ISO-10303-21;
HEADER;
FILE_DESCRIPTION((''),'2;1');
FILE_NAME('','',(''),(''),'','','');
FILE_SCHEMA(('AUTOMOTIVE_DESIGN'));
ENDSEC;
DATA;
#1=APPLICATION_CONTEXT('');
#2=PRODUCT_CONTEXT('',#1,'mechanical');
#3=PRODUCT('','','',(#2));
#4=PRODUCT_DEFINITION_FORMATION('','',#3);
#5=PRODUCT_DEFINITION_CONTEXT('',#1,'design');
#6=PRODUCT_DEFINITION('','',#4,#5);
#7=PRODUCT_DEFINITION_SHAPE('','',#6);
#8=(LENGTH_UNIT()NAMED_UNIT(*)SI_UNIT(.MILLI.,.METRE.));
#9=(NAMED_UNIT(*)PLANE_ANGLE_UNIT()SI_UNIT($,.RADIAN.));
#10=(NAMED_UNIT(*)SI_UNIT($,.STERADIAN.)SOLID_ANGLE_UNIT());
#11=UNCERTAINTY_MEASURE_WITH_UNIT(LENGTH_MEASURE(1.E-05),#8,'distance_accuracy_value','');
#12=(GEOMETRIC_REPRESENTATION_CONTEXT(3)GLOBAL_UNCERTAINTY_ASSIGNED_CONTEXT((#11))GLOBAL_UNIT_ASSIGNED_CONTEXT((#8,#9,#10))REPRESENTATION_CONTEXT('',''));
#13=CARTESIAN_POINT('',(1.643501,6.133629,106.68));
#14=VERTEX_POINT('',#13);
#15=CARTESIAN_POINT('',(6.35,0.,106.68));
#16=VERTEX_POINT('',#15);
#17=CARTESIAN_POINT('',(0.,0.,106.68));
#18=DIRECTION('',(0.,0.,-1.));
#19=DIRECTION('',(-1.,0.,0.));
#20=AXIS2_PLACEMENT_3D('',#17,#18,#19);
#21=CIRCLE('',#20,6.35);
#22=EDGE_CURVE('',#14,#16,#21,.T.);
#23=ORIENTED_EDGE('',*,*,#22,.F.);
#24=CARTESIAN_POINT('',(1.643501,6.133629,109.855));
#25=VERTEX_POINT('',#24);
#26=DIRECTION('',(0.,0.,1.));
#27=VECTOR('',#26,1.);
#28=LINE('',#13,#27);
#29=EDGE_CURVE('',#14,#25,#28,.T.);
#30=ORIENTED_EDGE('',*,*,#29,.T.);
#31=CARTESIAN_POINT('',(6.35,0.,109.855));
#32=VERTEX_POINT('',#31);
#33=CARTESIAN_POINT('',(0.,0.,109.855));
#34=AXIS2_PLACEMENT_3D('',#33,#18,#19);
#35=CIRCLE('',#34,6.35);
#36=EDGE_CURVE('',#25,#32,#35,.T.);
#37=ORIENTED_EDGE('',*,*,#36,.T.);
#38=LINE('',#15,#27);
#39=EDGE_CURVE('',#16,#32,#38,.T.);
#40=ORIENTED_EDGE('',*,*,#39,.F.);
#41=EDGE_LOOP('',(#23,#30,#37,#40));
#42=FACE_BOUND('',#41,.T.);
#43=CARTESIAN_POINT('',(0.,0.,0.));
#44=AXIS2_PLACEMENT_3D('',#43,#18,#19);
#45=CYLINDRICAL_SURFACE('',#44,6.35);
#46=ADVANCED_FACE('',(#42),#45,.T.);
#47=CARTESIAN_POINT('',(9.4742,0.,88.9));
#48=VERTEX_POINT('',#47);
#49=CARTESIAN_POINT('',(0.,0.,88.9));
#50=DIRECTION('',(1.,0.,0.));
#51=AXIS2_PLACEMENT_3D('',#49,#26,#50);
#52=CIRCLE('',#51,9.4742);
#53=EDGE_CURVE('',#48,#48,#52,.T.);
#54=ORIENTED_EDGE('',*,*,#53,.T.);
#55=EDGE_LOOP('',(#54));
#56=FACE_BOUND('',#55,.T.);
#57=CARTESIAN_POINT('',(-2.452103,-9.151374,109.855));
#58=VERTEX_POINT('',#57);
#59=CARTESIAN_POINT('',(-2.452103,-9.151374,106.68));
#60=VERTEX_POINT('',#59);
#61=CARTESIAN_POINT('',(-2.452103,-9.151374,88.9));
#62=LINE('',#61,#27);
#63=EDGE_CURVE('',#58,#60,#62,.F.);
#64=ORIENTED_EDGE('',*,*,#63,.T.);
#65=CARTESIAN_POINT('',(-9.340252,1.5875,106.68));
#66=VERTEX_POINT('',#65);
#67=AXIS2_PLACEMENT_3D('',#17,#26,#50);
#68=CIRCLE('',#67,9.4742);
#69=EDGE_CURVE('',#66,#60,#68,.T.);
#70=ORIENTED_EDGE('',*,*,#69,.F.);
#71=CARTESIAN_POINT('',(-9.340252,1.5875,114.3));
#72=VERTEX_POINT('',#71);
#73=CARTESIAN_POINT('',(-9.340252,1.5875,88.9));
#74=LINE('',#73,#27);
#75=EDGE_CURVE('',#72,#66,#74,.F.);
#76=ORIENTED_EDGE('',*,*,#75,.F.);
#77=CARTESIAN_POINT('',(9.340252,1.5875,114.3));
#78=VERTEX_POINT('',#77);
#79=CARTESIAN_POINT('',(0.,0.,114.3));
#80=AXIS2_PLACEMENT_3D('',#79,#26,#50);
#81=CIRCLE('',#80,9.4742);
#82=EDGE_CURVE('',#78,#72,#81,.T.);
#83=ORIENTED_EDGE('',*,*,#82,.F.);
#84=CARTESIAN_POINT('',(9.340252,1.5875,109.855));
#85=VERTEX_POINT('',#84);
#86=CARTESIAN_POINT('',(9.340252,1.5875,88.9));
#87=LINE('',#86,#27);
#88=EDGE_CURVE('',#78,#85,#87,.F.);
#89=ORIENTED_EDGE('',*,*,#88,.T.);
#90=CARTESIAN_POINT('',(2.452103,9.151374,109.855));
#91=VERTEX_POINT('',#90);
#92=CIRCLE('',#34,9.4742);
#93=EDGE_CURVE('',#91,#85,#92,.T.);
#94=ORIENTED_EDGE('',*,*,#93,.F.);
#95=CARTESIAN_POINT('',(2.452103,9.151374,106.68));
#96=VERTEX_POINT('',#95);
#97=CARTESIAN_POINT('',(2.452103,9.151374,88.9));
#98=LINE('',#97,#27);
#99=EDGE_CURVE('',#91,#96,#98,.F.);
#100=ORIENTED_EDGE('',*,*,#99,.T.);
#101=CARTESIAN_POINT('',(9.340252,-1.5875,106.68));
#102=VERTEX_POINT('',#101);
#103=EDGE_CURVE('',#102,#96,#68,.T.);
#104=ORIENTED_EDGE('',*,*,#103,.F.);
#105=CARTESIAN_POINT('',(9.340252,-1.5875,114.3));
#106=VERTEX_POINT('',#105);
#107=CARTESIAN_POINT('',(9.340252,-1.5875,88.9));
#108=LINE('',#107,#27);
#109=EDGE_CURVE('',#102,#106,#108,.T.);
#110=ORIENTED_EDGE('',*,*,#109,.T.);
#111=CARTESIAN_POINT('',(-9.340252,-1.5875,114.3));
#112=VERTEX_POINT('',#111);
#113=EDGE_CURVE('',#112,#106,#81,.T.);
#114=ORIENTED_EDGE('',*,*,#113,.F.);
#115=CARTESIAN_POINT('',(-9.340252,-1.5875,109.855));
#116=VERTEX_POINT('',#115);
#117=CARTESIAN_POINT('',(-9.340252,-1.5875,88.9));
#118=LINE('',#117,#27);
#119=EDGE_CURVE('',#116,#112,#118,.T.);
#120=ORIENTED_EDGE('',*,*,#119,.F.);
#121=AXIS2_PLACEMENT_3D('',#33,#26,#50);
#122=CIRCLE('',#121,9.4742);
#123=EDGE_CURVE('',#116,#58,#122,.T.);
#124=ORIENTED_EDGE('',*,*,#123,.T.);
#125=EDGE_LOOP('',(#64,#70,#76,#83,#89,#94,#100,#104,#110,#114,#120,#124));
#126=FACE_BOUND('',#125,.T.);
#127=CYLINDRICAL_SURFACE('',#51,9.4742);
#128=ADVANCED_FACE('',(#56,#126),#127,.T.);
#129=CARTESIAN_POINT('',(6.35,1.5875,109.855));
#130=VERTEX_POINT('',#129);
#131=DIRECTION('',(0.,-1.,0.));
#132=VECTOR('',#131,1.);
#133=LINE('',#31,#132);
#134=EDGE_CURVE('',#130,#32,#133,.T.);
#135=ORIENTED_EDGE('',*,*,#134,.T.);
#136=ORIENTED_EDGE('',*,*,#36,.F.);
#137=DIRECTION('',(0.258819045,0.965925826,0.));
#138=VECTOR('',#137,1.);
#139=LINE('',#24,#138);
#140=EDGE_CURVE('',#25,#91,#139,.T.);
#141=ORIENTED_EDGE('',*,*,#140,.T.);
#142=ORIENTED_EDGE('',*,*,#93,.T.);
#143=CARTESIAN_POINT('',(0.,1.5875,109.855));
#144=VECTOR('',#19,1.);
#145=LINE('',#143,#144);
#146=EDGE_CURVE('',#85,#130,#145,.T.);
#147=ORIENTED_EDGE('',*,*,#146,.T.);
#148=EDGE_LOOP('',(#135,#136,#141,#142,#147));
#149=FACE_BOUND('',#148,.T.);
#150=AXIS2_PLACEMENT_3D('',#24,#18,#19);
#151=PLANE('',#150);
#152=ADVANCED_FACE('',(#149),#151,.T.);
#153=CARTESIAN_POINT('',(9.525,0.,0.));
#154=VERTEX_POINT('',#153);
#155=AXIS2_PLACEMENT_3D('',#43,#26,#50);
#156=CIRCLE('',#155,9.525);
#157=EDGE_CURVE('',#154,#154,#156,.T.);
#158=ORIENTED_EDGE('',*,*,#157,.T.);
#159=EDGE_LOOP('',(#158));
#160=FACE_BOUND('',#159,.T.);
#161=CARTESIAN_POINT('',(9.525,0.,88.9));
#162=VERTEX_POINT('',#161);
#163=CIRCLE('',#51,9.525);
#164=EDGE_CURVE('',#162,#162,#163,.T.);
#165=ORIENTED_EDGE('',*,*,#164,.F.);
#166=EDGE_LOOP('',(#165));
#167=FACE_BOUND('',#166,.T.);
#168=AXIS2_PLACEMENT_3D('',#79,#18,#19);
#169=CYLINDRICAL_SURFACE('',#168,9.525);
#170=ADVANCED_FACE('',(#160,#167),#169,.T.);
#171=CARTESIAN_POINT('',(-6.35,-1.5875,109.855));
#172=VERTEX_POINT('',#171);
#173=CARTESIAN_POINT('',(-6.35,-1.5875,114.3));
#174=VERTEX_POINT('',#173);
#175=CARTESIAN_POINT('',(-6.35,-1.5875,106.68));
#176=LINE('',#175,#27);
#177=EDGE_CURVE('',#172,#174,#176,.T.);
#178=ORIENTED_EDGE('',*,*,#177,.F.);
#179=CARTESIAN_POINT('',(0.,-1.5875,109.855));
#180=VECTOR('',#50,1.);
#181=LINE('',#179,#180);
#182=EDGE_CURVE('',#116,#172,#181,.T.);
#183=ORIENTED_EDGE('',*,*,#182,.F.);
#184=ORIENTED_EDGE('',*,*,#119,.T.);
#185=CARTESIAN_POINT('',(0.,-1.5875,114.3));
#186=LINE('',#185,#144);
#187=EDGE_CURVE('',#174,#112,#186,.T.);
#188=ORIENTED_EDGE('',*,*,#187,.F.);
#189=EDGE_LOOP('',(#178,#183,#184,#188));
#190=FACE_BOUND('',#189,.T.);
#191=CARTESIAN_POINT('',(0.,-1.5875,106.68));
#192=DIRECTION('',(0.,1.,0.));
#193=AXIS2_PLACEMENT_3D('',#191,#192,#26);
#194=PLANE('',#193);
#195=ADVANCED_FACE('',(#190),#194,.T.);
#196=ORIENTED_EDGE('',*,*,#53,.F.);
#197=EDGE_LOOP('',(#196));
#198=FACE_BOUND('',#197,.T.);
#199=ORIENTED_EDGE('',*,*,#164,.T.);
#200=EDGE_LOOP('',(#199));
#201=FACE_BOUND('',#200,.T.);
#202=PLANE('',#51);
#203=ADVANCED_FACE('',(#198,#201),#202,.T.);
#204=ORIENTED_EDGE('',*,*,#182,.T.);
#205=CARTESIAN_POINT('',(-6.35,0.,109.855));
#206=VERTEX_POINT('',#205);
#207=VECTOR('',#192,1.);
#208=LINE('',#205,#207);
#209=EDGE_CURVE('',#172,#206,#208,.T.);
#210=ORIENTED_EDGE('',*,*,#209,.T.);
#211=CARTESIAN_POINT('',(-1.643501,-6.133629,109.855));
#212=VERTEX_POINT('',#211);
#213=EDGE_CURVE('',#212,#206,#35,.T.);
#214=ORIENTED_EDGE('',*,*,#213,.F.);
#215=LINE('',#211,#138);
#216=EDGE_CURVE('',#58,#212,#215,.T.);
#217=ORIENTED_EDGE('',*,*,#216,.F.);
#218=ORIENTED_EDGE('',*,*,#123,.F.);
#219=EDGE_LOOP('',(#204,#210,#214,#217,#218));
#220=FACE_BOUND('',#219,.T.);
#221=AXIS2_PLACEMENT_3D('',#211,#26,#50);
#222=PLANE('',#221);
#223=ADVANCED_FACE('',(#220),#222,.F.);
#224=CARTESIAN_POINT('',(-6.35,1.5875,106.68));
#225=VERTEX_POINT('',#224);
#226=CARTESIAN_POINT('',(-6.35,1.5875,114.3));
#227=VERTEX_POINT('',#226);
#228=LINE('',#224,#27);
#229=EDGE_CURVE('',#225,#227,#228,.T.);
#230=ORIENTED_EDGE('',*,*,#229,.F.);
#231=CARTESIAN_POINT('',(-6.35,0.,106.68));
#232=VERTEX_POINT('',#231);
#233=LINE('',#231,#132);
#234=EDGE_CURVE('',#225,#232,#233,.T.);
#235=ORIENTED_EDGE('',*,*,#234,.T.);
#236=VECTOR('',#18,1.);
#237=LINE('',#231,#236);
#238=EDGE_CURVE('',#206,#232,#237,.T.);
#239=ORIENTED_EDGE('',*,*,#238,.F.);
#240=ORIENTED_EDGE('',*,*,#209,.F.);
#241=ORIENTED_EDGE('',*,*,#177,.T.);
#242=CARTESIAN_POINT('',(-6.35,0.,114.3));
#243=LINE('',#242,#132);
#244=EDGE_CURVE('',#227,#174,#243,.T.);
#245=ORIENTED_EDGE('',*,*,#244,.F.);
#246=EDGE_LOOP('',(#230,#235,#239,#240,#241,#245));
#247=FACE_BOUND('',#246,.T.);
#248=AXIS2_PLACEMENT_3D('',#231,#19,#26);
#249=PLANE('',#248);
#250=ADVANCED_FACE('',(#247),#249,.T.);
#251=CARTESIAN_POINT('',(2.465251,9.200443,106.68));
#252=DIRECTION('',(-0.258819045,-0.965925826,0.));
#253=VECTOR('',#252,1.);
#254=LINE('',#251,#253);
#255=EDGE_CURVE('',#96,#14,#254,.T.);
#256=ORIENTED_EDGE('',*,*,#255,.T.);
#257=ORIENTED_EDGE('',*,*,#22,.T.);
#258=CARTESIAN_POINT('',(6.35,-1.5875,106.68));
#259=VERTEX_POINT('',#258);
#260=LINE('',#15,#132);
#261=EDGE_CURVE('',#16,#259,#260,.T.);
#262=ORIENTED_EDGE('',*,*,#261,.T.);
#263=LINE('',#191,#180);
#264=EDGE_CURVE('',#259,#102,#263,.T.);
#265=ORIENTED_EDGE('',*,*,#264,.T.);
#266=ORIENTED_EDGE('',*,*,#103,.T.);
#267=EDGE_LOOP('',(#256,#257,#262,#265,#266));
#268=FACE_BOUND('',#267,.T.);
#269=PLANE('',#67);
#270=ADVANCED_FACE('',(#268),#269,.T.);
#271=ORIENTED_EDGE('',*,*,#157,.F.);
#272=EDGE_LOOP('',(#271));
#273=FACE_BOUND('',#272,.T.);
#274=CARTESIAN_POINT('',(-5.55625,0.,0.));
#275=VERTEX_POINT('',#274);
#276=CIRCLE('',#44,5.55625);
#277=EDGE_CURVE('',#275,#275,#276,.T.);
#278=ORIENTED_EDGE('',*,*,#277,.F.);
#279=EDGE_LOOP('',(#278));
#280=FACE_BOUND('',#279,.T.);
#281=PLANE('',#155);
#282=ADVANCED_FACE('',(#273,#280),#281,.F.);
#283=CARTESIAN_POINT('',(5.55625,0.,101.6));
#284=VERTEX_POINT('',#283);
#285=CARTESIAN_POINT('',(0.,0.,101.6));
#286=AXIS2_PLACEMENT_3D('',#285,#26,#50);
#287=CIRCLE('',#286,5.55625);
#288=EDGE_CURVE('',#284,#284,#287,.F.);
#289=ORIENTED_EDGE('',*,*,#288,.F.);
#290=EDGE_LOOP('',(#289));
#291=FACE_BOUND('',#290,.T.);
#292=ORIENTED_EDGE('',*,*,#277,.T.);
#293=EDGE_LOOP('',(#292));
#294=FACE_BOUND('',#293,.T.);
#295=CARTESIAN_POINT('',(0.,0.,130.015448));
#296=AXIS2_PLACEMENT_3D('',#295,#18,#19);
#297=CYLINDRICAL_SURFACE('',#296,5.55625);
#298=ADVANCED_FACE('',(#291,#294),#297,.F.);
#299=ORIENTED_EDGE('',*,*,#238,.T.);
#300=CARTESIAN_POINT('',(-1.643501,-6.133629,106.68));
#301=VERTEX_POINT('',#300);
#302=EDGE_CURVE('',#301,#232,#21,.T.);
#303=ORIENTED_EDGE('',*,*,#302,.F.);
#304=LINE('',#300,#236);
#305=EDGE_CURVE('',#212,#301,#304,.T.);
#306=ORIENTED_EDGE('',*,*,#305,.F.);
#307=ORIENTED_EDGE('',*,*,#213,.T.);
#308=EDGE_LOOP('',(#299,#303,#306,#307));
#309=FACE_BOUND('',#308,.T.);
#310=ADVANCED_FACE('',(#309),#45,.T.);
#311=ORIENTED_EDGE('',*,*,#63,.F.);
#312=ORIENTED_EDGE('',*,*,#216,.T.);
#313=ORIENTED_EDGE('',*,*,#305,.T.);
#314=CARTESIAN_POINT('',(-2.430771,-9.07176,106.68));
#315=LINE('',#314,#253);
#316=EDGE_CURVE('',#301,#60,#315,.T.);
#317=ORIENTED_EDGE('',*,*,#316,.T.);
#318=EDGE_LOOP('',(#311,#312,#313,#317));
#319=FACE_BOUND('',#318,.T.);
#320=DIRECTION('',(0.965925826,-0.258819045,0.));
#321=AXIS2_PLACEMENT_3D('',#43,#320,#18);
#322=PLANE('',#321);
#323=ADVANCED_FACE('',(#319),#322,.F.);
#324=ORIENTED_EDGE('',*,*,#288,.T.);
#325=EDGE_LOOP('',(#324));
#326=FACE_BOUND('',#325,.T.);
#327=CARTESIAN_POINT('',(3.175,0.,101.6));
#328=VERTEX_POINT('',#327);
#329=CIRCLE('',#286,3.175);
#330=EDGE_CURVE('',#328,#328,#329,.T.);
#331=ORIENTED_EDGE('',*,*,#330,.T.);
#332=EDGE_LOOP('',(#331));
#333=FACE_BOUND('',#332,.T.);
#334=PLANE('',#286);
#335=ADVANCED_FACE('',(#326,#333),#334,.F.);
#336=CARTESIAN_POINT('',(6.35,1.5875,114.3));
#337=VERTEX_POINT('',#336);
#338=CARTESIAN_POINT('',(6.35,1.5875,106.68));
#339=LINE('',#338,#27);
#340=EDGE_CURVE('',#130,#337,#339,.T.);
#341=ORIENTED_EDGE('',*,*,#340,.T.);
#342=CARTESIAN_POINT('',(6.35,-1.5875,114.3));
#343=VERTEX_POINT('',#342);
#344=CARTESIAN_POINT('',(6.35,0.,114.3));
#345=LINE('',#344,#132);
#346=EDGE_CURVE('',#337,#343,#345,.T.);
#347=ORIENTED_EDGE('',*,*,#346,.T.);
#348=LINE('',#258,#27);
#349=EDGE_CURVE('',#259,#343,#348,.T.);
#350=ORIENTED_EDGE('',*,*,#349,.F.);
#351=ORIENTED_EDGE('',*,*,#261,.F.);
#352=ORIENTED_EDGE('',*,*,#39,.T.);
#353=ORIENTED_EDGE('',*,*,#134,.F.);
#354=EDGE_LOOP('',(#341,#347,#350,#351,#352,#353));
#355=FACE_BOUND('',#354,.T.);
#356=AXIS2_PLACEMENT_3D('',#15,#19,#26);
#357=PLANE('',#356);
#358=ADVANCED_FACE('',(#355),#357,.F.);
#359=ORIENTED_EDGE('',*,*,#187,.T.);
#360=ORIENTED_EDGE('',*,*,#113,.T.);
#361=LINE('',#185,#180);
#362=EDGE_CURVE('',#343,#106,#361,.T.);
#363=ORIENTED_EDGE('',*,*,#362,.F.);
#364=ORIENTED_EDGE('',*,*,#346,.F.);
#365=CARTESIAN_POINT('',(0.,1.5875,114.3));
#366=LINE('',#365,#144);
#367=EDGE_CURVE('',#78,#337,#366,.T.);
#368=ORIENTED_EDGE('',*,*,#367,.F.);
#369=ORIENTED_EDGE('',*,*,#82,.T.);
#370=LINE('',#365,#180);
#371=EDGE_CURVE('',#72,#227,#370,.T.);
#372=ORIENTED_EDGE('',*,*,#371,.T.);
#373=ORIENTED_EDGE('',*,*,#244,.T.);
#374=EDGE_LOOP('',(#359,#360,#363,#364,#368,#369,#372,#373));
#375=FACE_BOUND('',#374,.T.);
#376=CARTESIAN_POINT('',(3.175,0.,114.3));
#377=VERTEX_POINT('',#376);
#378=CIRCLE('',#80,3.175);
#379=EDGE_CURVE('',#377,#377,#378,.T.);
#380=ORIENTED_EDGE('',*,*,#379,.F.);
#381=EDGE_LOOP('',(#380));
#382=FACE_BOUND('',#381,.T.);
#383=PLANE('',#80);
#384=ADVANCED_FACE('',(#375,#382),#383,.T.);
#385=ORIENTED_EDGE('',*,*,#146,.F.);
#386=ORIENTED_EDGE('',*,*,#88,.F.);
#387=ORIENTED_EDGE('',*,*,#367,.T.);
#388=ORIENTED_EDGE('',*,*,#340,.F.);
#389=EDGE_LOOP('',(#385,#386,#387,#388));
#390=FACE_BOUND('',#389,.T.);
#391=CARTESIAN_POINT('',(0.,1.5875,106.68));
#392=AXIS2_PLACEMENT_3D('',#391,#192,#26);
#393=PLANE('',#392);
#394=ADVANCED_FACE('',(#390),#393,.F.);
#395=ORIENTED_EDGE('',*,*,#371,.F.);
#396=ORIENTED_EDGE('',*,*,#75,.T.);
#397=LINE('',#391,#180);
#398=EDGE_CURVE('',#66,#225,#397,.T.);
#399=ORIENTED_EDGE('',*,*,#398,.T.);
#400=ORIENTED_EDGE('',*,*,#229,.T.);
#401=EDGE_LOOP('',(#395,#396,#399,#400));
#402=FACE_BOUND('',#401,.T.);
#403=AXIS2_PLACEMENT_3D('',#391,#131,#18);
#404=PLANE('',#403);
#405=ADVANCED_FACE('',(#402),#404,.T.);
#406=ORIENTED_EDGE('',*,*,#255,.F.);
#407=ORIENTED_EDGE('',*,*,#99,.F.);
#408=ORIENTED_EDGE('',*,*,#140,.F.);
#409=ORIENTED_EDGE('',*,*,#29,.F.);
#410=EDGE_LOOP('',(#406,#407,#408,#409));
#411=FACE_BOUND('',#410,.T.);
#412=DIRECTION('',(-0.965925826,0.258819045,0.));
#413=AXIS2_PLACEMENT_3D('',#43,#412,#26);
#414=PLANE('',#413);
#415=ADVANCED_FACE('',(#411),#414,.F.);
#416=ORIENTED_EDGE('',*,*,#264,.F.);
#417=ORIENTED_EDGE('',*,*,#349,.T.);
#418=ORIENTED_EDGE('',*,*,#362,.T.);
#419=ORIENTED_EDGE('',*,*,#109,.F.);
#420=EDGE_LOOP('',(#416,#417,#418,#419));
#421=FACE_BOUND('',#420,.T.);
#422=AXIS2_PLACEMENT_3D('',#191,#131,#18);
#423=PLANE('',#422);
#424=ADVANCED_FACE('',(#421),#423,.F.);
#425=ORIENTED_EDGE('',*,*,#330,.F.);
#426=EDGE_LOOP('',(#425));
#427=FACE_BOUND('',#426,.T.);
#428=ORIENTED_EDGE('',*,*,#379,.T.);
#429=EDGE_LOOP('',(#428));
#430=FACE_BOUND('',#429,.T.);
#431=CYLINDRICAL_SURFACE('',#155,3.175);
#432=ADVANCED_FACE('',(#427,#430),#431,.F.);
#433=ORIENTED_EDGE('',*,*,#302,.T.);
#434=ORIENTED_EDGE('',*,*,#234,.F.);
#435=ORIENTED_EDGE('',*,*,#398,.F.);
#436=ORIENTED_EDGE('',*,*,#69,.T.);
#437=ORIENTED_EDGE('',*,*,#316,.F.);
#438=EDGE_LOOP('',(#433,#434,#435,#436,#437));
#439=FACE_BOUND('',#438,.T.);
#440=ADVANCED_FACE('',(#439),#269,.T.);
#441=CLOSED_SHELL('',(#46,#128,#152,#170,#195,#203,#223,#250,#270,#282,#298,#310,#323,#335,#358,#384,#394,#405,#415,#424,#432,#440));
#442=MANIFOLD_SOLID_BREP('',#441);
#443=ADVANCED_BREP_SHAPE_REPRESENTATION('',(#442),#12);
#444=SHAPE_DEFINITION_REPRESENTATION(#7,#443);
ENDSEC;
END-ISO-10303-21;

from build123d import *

# Parameters (mm, degrees)
SKETCH1_R           = 9.525
BOSS_EXTRUDE1_DEPTH = 114.3
SKETCH2_R           = 5.55625
CUT_EXTRUDE1_DEPTH  = 101.6
SKETCH3_R           = 3.175
CUT_EXTRUDE2_DEPTH  = 114.3
CUT_EXTRUDE8_DEPTH  = 7.62
CUT_REVOLVE1_ANGLE  = 75
SKETCH8_R           = 9.525
SKETCH8_R_2         = 9.4742
CUT_EXTRUDE10_DEPTH = 25.4


with BuildPart() as part:
    # Sketch1 → Boss-Extrude1 (new body)
    with BuildSketch(Plane.XY):
        Circle(SKETCH1_R)
    extrude(amount=BOSS_EXTRUDE1_DEPTH)

    # Sketch2 → Cut-Extrude1 (cut)
    with BuildSketch(Plane(origin=(0, 0, 0), x_dir=(-1, 0, 0), z_dir=(0, 0, -1))):
        Circle(SKETCH2_R)
    extrude(amount=-CUT_EXTRUDE1_DEPTH, mode=Mode.SUBTRACT)

    # Sketch3 → Cut-Extrude2 (cut)
    with BuildSketch(Plane.XY.offset(114.3)):
        Circle(SKETCH3_R)
    extrude(amount=-CUT_EXTRUDE2_DEPTH, mode=Mode.SUBTRACT)

    # Sketch5 → Cut-Extrude8 (cut)
    with BuildSketch(Plane.XY.offset(114.3)):
        with BuildLine():
            ThreePointArc((9.525, 0), (9.49163573, 0.796540129), (9.391776656, 1.5875))
            Line((9.391776656, 1.5875), (6.35, 1.5875))
            Line((6.35, 1.5875), (6.35, -1.5875))
            Line((6.35, -1.5875), (9.391776656, -1.5875))
            ThreePointArc((9.391776656, -1.5875), (9.49163573, -0.796540129), (9.525, 0))
        make_face()
        with BuildLine():
            Line((-6.35, 1.5875), (-9.391776656, 1.5875))
            ThreePointArc((-9.391776656, 1.5875), (-9.525, 0), (-9.391776656, -1.5875))
            Line((-9.391776656, -1.5875), (-6.35, -1.5875))
            Line((-6.35, -1.5875), (-6.35, 1.5875))
        make_face()
    extrude(amount=-CUT_EXTRUDE8_DEPTH, mode=Mode.SUBTRACT)

    # Sketch7 → Cut-Revolve1 (revolve, cut)
    with BuildSketch(Plane(origin=(0, 0, 0), x_dir=(1, 0, 0), z_dir=(0, 1, 0))):
        Polygon((9.391776656, -106.68), (6.35, -106.68), (6.35, -109.855), (9.525, -109.855), (9.525, -106.68), align=None)
        Polygon((-6.35, -109.855), (-9.525, -109.855), (-9.525, -106.68), (-9.391776656, -106.68), (-6.35, -106.68), align=None)
    revolve(axis=Axis((0, 0, 0), (0, 0, 1)), revolution_arc=CUT_REVOLVE1_ANGLE, mode=Mode.SUBTRACT)

    # Sketch8 → Cut-Extrude10 (cut)
    with BuildSketch(Plane.XY.offset(114.3)):
        Circle(SKETCH8_R)
        Circle(SKETCH8_R_2, mode=Mode.SUBTRACT)
    extrude(amount=-CUT_EXTRUDE10_DEPTH, mode=Mode.SUBTRACT)


solid = part.part
